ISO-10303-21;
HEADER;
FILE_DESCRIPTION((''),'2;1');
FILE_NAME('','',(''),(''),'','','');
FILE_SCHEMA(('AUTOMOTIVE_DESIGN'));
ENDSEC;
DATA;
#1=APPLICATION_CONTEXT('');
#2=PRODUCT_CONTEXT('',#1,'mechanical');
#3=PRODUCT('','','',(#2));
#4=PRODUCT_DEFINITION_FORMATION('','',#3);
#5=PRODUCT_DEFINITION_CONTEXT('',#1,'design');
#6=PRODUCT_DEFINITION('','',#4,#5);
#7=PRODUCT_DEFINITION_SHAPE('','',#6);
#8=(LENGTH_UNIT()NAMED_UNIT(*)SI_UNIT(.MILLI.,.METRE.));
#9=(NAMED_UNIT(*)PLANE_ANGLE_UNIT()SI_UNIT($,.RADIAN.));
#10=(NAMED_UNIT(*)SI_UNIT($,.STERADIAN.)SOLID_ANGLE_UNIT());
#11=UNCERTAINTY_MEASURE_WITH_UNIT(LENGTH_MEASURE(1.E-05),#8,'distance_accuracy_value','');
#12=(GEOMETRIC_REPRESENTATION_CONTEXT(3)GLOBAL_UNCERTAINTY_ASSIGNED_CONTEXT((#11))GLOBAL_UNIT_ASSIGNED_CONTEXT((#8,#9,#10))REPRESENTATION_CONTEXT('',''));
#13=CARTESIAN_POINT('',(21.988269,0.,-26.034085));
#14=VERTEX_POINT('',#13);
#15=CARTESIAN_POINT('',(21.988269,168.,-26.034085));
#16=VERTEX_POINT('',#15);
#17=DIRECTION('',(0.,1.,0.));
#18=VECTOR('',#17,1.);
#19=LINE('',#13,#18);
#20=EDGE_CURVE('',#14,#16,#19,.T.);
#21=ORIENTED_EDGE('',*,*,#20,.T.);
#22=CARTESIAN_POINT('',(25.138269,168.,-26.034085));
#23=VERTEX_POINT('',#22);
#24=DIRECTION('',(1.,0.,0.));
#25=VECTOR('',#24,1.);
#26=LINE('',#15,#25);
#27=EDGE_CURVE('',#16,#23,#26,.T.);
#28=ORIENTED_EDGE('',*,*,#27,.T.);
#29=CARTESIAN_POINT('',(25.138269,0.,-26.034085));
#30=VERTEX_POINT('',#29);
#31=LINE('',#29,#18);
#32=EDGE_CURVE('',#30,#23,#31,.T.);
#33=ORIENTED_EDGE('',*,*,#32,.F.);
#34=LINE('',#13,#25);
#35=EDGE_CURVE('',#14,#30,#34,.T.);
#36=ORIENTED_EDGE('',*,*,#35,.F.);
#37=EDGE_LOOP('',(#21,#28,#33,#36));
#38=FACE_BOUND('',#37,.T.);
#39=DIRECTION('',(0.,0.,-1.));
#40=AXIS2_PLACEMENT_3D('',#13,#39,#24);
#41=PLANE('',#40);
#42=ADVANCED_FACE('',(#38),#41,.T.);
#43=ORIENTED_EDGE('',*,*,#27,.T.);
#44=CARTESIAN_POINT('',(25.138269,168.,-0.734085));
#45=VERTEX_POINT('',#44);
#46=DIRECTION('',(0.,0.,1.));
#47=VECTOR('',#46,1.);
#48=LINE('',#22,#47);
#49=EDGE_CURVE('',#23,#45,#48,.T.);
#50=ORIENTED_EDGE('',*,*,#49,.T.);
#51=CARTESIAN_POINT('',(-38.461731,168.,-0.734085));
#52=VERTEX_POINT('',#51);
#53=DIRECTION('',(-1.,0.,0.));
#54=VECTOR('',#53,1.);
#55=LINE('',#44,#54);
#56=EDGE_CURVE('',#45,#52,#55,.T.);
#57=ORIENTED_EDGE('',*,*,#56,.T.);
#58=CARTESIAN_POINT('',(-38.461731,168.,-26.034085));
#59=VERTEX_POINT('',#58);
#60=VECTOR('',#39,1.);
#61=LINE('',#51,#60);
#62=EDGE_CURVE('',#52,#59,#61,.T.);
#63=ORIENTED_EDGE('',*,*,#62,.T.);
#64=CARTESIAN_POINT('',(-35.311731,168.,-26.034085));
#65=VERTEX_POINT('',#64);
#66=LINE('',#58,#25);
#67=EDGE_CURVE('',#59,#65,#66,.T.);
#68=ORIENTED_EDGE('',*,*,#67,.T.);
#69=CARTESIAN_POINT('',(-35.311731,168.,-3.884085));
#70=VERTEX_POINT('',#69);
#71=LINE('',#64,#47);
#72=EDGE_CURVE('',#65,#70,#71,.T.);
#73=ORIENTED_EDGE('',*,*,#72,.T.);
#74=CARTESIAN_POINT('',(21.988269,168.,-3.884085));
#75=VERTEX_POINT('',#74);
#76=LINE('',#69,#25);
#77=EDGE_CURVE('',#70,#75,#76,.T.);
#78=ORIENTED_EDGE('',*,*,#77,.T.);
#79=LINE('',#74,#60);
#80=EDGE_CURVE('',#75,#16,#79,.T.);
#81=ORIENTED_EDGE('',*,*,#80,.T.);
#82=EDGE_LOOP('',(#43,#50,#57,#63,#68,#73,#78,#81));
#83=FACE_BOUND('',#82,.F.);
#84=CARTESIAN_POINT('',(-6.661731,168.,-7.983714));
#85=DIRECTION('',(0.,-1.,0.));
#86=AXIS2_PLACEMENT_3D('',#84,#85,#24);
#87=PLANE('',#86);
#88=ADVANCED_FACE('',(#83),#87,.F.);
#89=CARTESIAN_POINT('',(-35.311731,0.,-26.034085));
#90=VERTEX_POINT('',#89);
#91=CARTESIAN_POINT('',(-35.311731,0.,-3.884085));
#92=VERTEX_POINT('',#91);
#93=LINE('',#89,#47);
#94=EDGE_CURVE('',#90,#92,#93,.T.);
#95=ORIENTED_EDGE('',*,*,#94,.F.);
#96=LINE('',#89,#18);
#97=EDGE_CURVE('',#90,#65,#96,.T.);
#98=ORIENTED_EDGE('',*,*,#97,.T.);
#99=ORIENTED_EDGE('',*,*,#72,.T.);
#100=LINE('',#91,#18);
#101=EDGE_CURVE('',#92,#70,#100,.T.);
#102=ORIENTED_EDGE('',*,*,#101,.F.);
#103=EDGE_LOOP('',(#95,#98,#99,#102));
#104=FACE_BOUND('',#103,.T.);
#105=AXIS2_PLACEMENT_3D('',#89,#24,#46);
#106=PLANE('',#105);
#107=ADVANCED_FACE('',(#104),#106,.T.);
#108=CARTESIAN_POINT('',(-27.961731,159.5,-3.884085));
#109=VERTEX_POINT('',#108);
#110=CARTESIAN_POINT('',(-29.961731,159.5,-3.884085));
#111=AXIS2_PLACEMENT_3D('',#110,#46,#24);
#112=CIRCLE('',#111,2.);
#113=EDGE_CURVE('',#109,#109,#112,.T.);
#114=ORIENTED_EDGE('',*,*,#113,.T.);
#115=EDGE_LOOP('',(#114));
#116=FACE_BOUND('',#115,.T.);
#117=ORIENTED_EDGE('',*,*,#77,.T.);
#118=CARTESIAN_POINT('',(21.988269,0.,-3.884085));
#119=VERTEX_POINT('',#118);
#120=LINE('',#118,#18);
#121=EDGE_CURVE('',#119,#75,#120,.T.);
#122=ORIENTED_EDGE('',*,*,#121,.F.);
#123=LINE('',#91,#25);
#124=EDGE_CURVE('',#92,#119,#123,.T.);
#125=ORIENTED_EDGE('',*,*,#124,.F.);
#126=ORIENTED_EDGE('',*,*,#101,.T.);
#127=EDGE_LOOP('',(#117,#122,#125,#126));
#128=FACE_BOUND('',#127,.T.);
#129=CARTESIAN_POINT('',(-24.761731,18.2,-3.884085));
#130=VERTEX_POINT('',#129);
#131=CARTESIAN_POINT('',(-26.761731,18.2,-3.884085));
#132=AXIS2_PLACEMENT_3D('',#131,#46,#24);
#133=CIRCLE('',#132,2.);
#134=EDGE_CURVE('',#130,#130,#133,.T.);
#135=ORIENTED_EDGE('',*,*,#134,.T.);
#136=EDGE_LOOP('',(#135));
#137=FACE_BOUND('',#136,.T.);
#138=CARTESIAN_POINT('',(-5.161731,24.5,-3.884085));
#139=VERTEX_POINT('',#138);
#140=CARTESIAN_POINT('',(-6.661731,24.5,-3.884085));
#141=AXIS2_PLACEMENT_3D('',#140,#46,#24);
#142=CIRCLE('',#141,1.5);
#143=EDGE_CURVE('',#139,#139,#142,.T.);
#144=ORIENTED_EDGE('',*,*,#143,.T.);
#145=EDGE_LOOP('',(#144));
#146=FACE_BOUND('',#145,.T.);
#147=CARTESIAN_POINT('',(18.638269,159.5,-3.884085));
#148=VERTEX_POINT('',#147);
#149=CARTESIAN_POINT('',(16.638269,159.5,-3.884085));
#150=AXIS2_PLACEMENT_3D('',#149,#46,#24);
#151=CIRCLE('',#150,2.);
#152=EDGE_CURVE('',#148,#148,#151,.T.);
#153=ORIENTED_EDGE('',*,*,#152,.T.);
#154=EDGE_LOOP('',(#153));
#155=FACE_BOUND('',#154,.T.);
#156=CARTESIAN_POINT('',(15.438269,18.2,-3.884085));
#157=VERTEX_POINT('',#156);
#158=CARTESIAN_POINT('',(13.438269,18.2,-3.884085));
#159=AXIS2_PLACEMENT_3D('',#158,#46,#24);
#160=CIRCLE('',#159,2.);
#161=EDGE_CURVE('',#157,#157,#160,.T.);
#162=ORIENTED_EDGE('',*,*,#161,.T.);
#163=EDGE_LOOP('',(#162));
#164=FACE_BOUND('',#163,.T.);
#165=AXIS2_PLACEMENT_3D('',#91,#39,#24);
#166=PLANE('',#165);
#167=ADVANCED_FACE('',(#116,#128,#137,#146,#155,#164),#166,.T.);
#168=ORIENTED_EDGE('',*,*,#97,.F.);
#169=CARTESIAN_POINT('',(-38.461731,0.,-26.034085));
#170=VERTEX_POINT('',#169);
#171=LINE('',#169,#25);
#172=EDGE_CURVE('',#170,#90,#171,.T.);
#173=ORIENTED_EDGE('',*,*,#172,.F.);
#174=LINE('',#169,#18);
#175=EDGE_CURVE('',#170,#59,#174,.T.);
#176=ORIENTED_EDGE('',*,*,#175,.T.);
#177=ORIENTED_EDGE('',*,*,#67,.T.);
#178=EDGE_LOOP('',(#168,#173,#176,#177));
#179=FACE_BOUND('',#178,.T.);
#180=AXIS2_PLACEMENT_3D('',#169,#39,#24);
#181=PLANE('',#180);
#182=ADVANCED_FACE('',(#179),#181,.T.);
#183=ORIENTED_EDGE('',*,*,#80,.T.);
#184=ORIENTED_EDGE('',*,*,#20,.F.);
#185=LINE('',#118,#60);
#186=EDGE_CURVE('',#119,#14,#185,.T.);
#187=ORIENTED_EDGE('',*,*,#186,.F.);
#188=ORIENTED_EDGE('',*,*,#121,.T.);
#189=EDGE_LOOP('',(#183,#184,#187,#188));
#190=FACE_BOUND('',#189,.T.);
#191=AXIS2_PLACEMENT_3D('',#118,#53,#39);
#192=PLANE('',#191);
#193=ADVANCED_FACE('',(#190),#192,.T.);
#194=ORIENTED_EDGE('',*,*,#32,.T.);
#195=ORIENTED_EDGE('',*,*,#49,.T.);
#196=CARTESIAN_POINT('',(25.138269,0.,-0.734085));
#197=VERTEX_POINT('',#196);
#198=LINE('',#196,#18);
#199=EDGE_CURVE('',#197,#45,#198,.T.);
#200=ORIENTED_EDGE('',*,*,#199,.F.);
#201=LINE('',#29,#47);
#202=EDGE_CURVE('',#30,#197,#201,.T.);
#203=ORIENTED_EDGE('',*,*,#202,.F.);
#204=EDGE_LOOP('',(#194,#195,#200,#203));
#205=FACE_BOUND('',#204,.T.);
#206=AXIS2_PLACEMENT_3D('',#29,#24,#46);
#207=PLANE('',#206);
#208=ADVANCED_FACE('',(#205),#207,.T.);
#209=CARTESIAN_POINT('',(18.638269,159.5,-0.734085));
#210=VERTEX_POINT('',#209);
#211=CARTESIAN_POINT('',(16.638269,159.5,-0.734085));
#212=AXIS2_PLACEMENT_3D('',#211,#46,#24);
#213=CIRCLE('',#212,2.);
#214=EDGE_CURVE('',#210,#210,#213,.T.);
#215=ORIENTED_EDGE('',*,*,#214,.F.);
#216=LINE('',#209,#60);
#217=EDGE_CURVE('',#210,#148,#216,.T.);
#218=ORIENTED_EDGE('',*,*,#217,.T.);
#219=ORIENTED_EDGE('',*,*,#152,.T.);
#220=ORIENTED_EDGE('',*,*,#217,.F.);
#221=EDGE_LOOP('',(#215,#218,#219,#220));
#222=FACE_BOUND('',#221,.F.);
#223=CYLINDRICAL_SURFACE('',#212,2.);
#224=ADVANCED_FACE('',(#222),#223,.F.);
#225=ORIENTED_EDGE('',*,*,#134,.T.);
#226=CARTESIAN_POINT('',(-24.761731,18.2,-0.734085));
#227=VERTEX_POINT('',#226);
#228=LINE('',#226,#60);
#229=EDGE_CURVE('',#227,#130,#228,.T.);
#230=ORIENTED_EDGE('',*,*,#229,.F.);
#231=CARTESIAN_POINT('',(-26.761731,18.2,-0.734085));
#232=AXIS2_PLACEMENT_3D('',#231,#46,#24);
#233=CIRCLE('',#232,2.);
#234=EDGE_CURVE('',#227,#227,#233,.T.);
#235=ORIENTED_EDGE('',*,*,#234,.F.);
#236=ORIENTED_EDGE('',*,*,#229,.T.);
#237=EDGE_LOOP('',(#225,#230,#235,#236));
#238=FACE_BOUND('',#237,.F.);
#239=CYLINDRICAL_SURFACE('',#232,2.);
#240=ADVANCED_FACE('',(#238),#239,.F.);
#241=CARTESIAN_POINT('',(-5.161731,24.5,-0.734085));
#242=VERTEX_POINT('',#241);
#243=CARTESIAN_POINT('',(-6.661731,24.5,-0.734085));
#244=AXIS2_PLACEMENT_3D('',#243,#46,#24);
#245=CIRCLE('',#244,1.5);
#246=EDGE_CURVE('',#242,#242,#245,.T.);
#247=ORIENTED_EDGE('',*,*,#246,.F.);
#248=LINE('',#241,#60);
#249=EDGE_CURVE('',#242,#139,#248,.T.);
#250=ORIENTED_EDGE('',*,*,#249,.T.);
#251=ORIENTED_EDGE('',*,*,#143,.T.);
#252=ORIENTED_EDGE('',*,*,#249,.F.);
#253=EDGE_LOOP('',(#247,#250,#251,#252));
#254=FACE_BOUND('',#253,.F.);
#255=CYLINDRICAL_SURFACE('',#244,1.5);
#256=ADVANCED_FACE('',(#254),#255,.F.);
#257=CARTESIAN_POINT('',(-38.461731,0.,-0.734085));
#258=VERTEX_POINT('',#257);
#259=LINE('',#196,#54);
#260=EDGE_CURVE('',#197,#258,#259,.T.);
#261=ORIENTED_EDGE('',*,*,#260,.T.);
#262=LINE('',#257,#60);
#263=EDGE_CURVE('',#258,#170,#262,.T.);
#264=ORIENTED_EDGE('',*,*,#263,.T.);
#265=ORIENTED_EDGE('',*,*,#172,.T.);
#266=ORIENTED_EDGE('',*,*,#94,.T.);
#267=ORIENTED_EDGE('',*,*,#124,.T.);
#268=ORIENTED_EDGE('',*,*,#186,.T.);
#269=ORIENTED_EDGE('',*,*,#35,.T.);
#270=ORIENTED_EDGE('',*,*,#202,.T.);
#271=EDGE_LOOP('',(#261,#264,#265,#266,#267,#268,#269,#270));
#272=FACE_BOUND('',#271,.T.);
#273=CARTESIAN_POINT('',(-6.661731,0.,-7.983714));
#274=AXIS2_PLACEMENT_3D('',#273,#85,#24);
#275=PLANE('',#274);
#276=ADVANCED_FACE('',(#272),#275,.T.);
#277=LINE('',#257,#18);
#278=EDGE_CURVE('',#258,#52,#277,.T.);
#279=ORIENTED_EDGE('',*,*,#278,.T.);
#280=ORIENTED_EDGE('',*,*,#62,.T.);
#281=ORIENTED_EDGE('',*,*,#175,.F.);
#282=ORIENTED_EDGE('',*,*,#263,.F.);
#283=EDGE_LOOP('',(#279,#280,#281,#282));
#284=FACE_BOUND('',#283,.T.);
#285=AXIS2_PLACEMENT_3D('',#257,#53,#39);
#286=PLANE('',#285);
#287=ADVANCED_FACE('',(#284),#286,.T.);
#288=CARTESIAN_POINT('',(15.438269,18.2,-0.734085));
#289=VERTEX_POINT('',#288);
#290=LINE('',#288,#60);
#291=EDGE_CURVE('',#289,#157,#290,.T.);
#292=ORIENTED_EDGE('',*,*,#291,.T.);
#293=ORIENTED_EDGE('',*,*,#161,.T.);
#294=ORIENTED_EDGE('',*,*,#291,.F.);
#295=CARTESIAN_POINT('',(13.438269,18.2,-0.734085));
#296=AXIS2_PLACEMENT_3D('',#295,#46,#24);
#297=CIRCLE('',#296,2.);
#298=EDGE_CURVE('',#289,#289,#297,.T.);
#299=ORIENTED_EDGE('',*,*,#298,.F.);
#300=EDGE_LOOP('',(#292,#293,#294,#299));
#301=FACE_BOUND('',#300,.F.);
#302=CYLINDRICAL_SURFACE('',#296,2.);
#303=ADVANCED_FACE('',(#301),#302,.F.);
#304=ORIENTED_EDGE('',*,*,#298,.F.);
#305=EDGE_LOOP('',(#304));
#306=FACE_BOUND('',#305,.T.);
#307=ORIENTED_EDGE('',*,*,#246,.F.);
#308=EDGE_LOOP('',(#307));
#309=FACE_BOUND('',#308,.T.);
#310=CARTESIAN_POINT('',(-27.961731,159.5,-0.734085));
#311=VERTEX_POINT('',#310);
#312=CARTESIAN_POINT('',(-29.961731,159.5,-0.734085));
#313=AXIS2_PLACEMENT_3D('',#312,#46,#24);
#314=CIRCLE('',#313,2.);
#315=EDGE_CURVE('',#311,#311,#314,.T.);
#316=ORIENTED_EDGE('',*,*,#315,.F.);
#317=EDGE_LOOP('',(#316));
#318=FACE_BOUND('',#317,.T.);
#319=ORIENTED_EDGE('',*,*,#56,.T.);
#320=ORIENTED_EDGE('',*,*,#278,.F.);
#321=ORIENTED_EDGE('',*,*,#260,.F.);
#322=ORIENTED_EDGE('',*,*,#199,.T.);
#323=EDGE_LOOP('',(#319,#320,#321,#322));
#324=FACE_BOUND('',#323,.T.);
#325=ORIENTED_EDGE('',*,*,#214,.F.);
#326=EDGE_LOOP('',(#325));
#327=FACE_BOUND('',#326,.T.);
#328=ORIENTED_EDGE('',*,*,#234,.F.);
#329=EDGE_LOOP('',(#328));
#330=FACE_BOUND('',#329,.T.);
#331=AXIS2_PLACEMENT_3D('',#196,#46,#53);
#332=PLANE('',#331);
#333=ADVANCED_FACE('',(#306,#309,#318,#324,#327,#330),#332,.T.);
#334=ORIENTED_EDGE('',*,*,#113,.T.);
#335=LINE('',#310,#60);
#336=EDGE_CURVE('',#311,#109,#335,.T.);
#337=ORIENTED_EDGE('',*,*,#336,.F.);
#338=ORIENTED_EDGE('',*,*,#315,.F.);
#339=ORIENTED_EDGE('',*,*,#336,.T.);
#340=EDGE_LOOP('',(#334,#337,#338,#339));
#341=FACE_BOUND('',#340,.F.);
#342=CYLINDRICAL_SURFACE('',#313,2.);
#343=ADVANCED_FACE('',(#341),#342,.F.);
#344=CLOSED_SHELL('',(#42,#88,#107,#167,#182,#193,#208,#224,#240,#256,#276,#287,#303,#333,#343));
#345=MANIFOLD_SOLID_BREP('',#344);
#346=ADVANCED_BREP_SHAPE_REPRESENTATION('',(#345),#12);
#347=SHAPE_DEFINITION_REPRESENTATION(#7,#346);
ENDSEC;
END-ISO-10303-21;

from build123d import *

# Parameters (mm, degrees)
F1_DEPTH = 168
F2_R     = 2
F2_R_2   = 1.5
F3_DEPTH = 3.15


with BuildPart() as f1:
    # F0 (on Front) → F1 (new body)
    with BuildSketch(Plane.XZ):
        Polygon((-38.461731, -0.734085), (-38.461731, -26.034085), (-35.311731, -26.034085), (-35.311731, -3.884085), (21.988269, -3.884085), (21.988269, -26.034085), (25.138269, -26.034085), (25.138269, -0.734085), align=None)
    extrude(amount=-F1_DEPTH)

    # F2 (on face) → F3 (cut)
    with BuildSketch(Plane.XY.offset(-0.734085)):
        with Locations((-29.961731, 159.5)):
            Circle(F2_R)
        with Locations((16.638269, 159.5)):
            Circle(F2_R)
        with Locations((-6.661731, 24.5)):
            Circle(F2_R_2)
        with Locations((13.438269, 18.2)):
            Circle(F2_R)
        with Locations((-26.761731, 18.2)):
            Circle(F2_R)
    extrude(amount=-F3_DEPTH, mode=Mode.SUBTRACT)


solid = f1.part
